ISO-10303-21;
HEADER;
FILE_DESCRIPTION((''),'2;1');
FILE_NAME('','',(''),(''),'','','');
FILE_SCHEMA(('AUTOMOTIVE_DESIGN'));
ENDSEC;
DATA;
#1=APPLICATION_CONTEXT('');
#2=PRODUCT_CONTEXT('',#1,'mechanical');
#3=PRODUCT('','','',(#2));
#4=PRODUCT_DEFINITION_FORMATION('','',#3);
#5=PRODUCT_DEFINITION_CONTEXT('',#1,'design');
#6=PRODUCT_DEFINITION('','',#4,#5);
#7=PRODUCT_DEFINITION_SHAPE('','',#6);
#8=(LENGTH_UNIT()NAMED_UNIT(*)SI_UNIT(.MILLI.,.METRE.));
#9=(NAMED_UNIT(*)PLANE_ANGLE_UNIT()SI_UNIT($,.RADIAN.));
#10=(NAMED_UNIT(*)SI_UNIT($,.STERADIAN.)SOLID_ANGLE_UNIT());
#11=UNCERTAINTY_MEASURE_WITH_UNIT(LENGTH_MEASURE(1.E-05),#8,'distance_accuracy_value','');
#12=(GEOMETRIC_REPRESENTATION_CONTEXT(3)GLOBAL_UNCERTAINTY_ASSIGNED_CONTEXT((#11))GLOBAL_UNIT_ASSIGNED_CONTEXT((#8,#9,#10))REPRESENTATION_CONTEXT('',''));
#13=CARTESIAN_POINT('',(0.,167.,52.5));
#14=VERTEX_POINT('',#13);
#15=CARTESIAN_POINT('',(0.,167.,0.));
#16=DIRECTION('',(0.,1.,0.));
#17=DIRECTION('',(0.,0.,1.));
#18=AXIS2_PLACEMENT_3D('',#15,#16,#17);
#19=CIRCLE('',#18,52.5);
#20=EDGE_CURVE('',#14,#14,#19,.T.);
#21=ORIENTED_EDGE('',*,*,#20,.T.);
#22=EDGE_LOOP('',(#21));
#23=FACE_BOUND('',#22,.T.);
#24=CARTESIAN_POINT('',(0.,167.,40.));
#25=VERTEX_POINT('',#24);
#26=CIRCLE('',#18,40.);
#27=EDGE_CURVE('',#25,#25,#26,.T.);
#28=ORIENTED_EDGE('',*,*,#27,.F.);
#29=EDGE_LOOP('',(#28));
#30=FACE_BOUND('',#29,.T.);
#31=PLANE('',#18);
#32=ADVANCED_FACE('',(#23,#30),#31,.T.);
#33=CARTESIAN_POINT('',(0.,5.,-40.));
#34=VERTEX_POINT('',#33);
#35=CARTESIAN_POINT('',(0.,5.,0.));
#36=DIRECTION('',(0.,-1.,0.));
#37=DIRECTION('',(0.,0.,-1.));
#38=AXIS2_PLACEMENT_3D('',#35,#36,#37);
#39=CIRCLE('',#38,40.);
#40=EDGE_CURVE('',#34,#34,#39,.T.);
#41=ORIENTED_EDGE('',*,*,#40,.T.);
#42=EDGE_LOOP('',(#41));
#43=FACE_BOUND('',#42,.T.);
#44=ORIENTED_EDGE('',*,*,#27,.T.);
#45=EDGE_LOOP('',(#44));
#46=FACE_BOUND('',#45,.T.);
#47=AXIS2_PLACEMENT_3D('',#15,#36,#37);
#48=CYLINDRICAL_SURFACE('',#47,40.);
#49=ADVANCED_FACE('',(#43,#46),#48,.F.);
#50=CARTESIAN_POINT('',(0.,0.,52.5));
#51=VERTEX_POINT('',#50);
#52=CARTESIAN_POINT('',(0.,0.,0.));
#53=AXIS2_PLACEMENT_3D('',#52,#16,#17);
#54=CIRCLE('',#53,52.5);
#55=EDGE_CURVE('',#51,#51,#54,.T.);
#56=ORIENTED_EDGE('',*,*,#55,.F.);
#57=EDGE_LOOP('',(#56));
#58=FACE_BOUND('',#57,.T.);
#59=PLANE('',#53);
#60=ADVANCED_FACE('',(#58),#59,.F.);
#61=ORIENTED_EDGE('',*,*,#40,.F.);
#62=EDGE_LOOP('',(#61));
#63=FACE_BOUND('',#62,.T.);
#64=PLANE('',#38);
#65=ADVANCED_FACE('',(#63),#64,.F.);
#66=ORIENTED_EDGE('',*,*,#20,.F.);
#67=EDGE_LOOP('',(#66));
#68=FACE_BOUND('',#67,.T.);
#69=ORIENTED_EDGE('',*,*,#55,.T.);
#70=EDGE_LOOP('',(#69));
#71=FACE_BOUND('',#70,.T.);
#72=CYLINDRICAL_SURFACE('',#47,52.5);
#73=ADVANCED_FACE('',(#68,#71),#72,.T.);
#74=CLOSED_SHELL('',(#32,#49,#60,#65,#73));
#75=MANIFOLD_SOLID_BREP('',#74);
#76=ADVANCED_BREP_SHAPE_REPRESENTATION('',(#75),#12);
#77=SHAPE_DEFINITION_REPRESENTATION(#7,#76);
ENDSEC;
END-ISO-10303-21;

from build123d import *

# Parameters (mm, degrees)
SKETCH1_R           = 52.5
SKETCH1_R_2         = 40
BOSS_EXTRUDE1_DEPTH = 167
SKETCH2_R           = 52.5
BOSS_EXTRUDE2_DEPTH = 5


with BuildPart() as part:
    # Sketch1 → Boss-Extrude1 (new body)
    with BuildSketch(Plane(origin=(0, 0, 0), x_dir=(1, 0, 0), z_dir=(0, 1, 0))):
        with Locations(Location((0, 0, 0), (0, 0, 270))):
            Circle(SKETCH1_R)
        with Locations(Location((0, 0, 0), (0, 0, 270))):
            Circle(SKETCH1_R_2, mode=Mode.SUBTRACT)
    extrude(amount=BOSS_EXTRUDE1_DEPTH)

    # Sketch2 → Boss-Extrude2 (add)
    with BuildSketch(Plane.XZ):
        with Locations(Location((0, 0, 0), (0, 0, 90))):
            Circle(SKETCH2_R)
    extrude(amount=-BOSS_EXTRUDE2_DEPTH)


solid = part.part
